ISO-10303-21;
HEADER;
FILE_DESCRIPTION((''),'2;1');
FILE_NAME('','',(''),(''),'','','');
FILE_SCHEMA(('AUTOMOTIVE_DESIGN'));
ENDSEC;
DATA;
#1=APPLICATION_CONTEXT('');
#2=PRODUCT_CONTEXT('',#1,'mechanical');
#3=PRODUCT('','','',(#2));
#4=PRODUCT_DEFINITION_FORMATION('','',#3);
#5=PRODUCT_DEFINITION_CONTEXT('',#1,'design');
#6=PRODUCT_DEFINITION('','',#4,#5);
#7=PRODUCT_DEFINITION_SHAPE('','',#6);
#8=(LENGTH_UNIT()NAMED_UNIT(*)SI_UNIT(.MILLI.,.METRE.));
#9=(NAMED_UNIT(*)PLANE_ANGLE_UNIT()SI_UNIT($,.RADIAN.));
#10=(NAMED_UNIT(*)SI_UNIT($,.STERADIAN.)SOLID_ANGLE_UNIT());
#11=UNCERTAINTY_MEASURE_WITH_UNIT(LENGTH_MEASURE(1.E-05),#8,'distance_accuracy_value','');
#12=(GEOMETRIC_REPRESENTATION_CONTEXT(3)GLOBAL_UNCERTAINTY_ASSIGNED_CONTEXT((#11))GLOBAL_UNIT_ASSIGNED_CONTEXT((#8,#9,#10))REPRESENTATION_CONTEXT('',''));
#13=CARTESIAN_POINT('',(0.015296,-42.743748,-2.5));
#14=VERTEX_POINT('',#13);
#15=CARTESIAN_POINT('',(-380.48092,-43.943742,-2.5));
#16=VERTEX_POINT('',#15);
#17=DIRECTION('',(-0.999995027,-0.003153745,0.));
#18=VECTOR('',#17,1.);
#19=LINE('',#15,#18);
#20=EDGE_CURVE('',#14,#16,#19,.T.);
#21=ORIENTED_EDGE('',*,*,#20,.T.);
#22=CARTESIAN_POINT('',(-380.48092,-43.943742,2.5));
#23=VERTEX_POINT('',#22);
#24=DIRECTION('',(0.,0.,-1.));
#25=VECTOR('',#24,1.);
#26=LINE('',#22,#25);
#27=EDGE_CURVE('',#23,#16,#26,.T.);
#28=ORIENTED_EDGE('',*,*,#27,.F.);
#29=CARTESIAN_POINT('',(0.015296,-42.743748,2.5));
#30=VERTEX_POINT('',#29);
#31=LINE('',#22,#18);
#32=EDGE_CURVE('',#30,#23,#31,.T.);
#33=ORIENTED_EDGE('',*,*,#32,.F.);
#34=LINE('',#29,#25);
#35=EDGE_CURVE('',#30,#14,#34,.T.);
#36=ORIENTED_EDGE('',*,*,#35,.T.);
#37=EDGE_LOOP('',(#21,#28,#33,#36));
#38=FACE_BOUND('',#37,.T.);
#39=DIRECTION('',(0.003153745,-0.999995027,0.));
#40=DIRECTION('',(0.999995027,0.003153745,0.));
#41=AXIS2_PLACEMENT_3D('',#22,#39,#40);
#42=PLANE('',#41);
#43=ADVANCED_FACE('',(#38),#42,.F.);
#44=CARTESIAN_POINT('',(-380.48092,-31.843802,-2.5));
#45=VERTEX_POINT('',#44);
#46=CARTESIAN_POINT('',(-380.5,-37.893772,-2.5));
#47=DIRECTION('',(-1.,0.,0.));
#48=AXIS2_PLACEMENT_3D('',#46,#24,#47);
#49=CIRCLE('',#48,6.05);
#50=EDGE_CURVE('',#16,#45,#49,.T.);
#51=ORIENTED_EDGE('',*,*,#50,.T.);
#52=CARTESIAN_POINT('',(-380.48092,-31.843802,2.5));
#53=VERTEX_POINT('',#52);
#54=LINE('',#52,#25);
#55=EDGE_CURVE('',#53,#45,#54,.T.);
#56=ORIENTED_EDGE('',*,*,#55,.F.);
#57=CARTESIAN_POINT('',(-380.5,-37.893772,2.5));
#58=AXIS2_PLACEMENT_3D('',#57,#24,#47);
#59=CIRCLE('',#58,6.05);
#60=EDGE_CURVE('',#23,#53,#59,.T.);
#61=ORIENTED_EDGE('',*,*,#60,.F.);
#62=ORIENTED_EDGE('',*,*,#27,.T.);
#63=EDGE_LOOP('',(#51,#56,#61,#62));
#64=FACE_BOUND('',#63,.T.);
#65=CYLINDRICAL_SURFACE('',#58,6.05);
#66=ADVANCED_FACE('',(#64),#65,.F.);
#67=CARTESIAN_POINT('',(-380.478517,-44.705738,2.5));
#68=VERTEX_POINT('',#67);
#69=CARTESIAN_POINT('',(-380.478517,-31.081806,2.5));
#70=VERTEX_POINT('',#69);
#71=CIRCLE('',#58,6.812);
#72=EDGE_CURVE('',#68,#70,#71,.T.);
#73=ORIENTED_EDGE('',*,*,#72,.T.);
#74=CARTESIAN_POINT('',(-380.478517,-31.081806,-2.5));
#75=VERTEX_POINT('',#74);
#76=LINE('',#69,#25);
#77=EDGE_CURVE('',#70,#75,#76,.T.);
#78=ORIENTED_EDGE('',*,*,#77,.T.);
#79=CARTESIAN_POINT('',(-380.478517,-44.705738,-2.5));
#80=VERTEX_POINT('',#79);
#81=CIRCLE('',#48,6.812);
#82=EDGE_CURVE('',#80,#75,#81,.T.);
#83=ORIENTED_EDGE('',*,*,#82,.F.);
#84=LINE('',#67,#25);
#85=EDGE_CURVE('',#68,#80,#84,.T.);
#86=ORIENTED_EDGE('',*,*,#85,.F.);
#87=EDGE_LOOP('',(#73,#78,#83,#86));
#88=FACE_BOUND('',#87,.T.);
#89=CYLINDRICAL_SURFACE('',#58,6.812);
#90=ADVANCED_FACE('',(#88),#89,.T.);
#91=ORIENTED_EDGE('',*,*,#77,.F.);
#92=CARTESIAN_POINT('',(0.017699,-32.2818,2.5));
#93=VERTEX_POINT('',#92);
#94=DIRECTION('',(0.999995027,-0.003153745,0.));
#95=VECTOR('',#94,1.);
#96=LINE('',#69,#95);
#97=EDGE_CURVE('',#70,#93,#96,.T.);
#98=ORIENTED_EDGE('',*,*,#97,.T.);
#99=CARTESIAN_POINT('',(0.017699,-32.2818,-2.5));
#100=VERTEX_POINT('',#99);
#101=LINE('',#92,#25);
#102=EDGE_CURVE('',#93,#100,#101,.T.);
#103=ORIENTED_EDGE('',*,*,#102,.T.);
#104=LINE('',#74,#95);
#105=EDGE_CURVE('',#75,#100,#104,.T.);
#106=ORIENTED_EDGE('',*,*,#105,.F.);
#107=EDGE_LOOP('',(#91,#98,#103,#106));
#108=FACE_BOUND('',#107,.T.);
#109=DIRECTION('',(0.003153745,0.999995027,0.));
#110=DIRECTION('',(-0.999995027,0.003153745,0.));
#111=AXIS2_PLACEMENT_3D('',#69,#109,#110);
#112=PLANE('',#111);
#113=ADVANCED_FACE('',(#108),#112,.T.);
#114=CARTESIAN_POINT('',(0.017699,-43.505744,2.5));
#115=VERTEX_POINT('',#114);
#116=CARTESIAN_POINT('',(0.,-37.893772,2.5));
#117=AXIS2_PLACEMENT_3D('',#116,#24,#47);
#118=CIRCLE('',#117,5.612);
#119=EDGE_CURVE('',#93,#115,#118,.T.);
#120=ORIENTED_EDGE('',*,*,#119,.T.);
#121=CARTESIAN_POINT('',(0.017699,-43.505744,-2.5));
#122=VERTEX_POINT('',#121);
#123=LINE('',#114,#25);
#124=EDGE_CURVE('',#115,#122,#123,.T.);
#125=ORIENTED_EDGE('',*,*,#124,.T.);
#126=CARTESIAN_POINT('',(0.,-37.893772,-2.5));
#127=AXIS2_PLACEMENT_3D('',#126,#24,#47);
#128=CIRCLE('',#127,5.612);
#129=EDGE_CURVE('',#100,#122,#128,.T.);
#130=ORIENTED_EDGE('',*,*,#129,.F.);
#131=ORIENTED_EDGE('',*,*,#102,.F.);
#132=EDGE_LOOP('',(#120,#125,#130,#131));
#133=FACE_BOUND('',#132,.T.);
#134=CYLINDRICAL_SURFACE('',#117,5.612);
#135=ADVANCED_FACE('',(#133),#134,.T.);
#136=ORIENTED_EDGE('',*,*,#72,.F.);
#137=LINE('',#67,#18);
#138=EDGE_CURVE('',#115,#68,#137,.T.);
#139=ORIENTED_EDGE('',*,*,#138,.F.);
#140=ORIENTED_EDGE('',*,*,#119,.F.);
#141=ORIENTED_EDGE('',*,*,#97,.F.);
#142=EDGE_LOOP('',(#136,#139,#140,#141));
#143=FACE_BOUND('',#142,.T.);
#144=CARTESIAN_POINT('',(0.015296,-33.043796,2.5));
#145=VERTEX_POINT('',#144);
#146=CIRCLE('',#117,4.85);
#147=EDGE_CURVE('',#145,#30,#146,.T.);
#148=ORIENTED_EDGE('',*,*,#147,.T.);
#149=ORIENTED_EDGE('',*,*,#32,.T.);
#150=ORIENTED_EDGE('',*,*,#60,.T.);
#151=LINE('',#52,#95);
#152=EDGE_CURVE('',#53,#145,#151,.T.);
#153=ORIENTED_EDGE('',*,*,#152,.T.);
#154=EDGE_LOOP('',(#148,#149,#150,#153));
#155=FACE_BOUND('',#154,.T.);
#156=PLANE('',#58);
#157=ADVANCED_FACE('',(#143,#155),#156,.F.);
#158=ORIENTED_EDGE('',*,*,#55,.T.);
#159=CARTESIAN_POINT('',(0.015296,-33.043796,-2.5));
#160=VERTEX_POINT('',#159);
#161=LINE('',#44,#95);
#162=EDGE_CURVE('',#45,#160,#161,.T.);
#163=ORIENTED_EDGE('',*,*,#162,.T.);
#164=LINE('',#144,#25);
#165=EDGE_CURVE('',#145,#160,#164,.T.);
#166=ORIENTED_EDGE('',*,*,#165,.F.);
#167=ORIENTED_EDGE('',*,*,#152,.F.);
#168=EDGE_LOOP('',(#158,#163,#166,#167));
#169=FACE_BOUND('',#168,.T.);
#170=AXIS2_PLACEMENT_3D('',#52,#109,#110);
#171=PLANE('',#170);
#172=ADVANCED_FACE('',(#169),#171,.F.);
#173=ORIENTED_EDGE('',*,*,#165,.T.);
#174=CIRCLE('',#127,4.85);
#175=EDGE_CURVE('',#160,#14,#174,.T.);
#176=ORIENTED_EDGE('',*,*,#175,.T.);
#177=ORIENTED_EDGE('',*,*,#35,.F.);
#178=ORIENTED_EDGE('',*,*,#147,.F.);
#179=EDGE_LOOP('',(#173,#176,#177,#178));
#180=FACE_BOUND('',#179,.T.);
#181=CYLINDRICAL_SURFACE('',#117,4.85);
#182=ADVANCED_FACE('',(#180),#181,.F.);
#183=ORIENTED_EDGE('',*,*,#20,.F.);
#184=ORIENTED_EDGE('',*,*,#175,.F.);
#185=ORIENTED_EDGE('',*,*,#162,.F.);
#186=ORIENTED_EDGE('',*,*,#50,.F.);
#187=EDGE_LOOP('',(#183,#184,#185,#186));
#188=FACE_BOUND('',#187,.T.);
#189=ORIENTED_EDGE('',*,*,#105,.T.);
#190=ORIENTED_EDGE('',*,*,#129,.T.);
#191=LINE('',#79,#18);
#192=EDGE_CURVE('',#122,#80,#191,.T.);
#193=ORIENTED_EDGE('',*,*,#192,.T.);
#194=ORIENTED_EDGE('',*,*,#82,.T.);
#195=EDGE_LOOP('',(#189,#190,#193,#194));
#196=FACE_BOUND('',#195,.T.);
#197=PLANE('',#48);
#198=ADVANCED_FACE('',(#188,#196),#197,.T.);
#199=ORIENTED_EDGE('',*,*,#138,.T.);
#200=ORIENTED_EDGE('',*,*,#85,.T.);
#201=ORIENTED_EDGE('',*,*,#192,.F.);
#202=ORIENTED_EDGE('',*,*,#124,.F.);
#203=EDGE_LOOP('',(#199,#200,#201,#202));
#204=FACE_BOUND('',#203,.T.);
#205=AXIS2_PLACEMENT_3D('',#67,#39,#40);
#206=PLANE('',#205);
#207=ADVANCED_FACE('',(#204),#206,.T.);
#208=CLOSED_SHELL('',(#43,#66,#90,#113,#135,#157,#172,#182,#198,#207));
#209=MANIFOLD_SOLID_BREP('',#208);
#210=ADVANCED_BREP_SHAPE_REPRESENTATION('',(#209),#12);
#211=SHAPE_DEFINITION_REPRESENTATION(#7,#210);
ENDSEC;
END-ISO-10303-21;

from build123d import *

# Parameters (mm, degrees)
EXTRUDE_THIN1_DEPTH = 2.5


with BuildPart() as part:
    # Sketch2 → Extrude-Thin1 (new, symmetric)
    with BuildSketch(Plane.XY):
        with BuildLine():
            Line((-380.478516689, -31.081805582), (0.017698817, -32.281799614))
            ThreePointArc((0.017698817, -32.281799614), (5.612, -37.893771705), (0.017698817, -43.505743796))
            Line((0.017698817, -43.505743796), (-380.478516689, -44.705737829))
            ThreePointArc((-380.478516689, -44.705737829), (-387.312, -37.893771705), (-380.478516689, -31.081805582))
        make_face()
        with BuildLine():
            Line((-380.480919842, -31.843801792), (0.015295664, -33.043795824))
            ThreePointArc((0.015295664, -33.043795824), (4.85, -37.893771705), (0.015295664, -42.743747586))
            Line((0.015295664, -42.743747586), (-380.480919842, -43.943741618))
            ThreePointArc((-380.480919842, -43.943741618), (-386.55, -37.893771705), (-380.480919842, -31.843801792))
        make_face(mode=Mode.SUBTRACT)
    extrude(amount=EXTRUDE_THIN1_DEPTH, both=True)


solid = part.part
